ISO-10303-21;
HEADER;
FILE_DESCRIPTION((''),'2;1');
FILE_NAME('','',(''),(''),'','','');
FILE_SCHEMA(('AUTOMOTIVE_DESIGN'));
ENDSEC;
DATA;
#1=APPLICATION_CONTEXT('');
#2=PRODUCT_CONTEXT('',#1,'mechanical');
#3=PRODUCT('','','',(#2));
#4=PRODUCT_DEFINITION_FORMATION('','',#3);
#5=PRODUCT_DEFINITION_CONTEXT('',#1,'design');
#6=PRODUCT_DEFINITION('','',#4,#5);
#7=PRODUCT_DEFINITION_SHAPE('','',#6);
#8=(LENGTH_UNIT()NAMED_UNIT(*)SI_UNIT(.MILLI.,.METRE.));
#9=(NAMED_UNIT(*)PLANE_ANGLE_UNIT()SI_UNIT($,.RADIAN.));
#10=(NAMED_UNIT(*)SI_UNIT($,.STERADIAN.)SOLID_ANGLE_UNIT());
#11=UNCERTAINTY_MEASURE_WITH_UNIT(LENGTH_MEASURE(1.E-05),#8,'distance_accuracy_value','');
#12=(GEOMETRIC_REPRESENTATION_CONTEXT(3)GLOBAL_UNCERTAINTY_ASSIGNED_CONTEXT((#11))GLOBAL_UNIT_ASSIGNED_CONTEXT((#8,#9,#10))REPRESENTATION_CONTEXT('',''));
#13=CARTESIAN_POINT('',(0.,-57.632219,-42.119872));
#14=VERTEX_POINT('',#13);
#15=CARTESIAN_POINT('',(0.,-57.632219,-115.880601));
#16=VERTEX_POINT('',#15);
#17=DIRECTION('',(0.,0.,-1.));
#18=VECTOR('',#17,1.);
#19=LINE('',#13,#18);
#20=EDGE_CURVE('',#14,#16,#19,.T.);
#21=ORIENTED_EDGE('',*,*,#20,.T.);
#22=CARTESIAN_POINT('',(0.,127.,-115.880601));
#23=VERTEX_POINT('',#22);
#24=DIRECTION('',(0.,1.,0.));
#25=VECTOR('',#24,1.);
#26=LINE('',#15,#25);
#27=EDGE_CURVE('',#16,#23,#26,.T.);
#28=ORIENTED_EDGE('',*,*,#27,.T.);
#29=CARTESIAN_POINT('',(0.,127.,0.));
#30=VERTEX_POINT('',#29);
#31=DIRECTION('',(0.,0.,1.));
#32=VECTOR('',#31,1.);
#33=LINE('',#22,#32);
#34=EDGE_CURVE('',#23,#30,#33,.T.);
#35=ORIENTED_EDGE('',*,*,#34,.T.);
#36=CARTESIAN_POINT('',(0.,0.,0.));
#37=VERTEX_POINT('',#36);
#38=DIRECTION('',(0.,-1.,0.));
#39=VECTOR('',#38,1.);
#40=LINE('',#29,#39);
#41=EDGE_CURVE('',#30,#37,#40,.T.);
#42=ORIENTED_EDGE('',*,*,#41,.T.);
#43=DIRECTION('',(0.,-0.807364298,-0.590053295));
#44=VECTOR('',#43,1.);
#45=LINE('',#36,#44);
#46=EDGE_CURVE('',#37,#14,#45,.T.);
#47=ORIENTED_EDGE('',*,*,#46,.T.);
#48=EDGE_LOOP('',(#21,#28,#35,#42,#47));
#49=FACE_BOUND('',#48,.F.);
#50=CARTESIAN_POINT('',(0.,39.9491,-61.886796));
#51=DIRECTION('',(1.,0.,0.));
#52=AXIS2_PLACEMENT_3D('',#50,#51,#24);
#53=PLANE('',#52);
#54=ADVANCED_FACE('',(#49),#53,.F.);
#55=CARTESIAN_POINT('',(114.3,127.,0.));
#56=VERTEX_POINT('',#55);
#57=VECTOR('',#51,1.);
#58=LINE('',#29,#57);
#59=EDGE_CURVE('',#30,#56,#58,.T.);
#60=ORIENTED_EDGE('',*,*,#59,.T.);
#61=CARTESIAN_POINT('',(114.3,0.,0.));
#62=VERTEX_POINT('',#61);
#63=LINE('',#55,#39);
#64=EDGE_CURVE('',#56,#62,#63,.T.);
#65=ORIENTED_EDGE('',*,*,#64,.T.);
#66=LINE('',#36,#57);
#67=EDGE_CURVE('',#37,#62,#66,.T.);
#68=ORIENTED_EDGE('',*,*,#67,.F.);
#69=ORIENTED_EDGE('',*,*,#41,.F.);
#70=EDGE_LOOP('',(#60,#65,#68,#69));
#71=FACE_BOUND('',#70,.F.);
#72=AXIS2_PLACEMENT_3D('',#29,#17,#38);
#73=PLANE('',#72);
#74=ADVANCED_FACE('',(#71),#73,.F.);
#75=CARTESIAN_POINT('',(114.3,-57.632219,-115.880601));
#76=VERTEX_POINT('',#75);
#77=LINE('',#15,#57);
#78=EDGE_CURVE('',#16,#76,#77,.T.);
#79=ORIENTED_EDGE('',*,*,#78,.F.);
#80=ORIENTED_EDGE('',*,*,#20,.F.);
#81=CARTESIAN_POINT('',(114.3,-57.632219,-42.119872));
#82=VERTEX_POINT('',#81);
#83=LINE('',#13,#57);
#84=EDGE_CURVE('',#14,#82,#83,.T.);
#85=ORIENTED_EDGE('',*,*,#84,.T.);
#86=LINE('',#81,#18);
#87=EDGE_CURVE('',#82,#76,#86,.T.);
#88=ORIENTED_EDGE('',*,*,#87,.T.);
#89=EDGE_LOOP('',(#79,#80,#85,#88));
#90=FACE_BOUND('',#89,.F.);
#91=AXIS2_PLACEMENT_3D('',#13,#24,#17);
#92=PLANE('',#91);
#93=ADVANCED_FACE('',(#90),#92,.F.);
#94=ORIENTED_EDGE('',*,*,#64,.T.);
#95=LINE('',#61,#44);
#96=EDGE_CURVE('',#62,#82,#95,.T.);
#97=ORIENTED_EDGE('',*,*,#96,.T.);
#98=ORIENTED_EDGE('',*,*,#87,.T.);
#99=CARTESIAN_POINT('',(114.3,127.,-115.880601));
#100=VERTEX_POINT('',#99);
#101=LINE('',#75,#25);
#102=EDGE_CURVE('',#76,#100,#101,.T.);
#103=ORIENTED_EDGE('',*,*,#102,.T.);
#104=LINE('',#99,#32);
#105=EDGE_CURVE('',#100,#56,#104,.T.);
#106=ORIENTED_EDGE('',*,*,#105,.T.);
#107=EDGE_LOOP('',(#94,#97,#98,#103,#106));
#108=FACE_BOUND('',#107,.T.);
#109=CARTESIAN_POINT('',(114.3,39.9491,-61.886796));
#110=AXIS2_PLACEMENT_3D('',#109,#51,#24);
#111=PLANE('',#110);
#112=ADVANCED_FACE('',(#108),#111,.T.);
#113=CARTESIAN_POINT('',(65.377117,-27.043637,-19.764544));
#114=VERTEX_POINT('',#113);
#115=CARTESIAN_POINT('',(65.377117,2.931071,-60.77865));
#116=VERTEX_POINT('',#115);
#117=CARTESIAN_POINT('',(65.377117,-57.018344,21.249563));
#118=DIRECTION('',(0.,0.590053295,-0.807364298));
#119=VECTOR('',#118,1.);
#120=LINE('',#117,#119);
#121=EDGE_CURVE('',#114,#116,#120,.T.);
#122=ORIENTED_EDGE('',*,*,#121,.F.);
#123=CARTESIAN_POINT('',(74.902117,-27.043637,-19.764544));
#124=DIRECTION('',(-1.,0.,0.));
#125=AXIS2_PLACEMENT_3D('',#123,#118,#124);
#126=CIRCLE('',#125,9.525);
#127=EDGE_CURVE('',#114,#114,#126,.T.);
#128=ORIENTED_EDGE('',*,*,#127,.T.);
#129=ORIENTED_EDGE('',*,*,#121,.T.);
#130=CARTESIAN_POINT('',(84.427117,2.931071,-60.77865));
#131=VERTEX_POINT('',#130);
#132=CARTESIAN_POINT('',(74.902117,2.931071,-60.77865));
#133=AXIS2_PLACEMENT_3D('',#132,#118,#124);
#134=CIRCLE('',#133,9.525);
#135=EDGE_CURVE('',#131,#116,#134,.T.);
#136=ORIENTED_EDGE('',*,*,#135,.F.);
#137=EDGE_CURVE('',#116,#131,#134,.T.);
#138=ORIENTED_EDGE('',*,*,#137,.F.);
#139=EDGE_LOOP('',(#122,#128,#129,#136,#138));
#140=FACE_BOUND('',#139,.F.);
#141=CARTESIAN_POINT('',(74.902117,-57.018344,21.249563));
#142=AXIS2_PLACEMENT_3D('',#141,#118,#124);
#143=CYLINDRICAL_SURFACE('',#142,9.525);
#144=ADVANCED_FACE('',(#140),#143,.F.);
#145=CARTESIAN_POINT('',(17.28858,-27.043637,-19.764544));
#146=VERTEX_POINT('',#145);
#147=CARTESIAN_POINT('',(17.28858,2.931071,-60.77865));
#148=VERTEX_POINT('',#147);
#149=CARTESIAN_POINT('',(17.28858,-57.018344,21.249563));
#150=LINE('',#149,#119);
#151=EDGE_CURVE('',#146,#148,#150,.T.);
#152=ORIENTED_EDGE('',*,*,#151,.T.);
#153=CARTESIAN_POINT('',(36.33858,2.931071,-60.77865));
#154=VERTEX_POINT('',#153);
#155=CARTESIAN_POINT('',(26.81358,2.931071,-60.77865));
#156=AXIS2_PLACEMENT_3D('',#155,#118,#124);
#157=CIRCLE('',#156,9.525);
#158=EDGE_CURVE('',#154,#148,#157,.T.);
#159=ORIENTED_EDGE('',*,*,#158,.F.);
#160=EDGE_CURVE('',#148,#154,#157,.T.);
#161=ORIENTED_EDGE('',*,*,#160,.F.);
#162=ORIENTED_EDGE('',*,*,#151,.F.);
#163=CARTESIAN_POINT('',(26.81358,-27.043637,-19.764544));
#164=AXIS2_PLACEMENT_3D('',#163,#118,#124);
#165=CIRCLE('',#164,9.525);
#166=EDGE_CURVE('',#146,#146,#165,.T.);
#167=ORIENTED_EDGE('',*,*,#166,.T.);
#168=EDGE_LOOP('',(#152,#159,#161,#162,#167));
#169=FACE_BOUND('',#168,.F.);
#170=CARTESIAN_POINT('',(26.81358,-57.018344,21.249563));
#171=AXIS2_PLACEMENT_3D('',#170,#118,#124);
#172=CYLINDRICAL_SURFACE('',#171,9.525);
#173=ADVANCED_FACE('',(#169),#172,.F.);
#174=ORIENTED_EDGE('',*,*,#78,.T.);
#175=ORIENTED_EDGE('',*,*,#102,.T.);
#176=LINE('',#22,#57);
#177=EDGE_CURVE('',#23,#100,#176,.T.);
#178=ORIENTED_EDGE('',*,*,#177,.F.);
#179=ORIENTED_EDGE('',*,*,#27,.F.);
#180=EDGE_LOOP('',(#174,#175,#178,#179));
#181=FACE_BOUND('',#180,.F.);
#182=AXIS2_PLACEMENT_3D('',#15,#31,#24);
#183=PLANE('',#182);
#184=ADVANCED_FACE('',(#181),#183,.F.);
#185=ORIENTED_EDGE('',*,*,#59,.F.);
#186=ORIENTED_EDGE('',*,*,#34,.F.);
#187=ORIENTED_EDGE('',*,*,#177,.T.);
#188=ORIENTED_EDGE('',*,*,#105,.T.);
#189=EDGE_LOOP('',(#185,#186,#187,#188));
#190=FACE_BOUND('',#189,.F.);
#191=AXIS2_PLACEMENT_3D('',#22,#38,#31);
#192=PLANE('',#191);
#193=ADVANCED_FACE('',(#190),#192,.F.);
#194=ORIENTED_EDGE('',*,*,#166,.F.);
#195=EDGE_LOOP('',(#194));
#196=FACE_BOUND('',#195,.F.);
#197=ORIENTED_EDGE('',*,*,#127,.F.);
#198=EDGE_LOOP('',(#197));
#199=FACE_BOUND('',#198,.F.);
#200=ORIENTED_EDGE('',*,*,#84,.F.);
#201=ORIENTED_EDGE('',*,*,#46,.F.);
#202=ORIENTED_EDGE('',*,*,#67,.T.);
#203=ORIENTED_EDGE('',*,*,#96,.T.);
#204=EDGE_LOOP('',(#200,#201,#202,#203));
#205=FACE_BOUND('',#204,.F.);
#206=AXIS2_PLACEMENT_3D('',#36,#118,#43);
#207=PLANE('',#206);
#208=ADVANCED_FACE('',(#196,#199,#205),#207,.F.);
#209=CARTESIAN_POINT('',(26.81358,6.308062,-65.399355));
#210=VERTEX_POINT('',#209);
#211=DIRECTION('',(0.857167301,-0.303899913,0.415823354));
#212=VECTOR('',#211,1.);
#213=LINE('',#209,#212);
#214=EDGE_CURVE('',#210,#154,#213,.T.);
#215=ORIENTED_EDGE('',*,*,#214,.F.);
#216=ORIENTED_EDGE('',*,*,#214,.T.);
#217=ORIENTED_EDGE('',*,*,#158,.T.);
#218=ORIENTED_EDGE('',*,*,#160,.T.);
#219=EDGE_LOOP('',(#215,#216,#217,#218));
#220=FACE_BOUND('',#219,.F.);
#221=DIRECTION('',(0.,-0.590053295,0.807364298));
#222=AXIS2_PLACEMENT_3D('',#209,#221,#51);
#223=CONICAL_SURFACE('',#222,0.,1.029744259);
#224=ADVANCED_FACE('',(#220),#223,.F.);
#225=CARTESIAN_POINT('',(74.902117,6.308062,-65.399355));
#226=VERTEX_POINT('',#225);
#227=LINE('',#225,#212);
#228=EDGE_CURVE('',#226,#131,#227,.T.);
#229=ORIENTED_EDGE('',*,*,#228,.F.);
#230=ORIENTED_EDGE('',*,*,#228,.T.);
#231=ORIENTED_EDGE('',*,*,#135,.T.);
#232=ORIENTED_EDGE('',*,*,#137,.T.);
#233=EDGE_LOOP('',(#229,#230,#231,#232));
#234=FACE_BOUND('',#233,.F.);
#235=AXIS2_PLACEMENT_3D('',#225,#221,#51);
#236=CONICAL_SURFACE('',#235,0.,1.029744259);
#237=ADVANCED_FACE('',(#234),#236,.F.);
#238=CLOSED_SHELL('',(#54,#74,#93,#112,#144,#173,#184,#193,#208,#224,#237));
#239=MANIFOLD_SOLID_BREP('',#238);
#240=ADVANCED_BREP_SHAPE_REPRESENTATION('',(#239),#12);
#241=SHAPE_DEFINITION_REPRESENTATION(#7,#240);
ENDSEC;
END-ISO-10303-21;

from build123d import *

# Parameters (mm, degrees)
F1_DEPTH = 114.3
F3_D     = 19.05
F3_DEPTH = 50.8
F3_TIP   = 5.7231973962


with BuildPart() as f1:
    # F0 (on Right) → F1 (new body)
    with BuildSketch(Plane.YZ):
        Polygon((127, 0), (0, 0), (-57.6322190464, -42.119871825), (-57.6322190464, -115.8806011081), (127, -115.8806011081), align=None)
    extrude(amount=F1_DEPTH)

    # F3
    with Locations(Plane(origin=(0, 0, 0), x_dir=(1, 0, 0), z_dir=(0, -0.5900532948, 0.8073642977))):
        with Locations((74.9021172523, -33.4962010384), (26.8135797232, -33.4962010384)):
            Hole(F3_D / 2, depth=F3_DEPTH)
            with Locations((0, 0, -(F3_DEPTH + F3_TIP / 2))):  # 118° drill point
                Cone(0, F3_D / 2, F3_TIP, mode=Mode.SUBTRACT)


solid = f1.part
